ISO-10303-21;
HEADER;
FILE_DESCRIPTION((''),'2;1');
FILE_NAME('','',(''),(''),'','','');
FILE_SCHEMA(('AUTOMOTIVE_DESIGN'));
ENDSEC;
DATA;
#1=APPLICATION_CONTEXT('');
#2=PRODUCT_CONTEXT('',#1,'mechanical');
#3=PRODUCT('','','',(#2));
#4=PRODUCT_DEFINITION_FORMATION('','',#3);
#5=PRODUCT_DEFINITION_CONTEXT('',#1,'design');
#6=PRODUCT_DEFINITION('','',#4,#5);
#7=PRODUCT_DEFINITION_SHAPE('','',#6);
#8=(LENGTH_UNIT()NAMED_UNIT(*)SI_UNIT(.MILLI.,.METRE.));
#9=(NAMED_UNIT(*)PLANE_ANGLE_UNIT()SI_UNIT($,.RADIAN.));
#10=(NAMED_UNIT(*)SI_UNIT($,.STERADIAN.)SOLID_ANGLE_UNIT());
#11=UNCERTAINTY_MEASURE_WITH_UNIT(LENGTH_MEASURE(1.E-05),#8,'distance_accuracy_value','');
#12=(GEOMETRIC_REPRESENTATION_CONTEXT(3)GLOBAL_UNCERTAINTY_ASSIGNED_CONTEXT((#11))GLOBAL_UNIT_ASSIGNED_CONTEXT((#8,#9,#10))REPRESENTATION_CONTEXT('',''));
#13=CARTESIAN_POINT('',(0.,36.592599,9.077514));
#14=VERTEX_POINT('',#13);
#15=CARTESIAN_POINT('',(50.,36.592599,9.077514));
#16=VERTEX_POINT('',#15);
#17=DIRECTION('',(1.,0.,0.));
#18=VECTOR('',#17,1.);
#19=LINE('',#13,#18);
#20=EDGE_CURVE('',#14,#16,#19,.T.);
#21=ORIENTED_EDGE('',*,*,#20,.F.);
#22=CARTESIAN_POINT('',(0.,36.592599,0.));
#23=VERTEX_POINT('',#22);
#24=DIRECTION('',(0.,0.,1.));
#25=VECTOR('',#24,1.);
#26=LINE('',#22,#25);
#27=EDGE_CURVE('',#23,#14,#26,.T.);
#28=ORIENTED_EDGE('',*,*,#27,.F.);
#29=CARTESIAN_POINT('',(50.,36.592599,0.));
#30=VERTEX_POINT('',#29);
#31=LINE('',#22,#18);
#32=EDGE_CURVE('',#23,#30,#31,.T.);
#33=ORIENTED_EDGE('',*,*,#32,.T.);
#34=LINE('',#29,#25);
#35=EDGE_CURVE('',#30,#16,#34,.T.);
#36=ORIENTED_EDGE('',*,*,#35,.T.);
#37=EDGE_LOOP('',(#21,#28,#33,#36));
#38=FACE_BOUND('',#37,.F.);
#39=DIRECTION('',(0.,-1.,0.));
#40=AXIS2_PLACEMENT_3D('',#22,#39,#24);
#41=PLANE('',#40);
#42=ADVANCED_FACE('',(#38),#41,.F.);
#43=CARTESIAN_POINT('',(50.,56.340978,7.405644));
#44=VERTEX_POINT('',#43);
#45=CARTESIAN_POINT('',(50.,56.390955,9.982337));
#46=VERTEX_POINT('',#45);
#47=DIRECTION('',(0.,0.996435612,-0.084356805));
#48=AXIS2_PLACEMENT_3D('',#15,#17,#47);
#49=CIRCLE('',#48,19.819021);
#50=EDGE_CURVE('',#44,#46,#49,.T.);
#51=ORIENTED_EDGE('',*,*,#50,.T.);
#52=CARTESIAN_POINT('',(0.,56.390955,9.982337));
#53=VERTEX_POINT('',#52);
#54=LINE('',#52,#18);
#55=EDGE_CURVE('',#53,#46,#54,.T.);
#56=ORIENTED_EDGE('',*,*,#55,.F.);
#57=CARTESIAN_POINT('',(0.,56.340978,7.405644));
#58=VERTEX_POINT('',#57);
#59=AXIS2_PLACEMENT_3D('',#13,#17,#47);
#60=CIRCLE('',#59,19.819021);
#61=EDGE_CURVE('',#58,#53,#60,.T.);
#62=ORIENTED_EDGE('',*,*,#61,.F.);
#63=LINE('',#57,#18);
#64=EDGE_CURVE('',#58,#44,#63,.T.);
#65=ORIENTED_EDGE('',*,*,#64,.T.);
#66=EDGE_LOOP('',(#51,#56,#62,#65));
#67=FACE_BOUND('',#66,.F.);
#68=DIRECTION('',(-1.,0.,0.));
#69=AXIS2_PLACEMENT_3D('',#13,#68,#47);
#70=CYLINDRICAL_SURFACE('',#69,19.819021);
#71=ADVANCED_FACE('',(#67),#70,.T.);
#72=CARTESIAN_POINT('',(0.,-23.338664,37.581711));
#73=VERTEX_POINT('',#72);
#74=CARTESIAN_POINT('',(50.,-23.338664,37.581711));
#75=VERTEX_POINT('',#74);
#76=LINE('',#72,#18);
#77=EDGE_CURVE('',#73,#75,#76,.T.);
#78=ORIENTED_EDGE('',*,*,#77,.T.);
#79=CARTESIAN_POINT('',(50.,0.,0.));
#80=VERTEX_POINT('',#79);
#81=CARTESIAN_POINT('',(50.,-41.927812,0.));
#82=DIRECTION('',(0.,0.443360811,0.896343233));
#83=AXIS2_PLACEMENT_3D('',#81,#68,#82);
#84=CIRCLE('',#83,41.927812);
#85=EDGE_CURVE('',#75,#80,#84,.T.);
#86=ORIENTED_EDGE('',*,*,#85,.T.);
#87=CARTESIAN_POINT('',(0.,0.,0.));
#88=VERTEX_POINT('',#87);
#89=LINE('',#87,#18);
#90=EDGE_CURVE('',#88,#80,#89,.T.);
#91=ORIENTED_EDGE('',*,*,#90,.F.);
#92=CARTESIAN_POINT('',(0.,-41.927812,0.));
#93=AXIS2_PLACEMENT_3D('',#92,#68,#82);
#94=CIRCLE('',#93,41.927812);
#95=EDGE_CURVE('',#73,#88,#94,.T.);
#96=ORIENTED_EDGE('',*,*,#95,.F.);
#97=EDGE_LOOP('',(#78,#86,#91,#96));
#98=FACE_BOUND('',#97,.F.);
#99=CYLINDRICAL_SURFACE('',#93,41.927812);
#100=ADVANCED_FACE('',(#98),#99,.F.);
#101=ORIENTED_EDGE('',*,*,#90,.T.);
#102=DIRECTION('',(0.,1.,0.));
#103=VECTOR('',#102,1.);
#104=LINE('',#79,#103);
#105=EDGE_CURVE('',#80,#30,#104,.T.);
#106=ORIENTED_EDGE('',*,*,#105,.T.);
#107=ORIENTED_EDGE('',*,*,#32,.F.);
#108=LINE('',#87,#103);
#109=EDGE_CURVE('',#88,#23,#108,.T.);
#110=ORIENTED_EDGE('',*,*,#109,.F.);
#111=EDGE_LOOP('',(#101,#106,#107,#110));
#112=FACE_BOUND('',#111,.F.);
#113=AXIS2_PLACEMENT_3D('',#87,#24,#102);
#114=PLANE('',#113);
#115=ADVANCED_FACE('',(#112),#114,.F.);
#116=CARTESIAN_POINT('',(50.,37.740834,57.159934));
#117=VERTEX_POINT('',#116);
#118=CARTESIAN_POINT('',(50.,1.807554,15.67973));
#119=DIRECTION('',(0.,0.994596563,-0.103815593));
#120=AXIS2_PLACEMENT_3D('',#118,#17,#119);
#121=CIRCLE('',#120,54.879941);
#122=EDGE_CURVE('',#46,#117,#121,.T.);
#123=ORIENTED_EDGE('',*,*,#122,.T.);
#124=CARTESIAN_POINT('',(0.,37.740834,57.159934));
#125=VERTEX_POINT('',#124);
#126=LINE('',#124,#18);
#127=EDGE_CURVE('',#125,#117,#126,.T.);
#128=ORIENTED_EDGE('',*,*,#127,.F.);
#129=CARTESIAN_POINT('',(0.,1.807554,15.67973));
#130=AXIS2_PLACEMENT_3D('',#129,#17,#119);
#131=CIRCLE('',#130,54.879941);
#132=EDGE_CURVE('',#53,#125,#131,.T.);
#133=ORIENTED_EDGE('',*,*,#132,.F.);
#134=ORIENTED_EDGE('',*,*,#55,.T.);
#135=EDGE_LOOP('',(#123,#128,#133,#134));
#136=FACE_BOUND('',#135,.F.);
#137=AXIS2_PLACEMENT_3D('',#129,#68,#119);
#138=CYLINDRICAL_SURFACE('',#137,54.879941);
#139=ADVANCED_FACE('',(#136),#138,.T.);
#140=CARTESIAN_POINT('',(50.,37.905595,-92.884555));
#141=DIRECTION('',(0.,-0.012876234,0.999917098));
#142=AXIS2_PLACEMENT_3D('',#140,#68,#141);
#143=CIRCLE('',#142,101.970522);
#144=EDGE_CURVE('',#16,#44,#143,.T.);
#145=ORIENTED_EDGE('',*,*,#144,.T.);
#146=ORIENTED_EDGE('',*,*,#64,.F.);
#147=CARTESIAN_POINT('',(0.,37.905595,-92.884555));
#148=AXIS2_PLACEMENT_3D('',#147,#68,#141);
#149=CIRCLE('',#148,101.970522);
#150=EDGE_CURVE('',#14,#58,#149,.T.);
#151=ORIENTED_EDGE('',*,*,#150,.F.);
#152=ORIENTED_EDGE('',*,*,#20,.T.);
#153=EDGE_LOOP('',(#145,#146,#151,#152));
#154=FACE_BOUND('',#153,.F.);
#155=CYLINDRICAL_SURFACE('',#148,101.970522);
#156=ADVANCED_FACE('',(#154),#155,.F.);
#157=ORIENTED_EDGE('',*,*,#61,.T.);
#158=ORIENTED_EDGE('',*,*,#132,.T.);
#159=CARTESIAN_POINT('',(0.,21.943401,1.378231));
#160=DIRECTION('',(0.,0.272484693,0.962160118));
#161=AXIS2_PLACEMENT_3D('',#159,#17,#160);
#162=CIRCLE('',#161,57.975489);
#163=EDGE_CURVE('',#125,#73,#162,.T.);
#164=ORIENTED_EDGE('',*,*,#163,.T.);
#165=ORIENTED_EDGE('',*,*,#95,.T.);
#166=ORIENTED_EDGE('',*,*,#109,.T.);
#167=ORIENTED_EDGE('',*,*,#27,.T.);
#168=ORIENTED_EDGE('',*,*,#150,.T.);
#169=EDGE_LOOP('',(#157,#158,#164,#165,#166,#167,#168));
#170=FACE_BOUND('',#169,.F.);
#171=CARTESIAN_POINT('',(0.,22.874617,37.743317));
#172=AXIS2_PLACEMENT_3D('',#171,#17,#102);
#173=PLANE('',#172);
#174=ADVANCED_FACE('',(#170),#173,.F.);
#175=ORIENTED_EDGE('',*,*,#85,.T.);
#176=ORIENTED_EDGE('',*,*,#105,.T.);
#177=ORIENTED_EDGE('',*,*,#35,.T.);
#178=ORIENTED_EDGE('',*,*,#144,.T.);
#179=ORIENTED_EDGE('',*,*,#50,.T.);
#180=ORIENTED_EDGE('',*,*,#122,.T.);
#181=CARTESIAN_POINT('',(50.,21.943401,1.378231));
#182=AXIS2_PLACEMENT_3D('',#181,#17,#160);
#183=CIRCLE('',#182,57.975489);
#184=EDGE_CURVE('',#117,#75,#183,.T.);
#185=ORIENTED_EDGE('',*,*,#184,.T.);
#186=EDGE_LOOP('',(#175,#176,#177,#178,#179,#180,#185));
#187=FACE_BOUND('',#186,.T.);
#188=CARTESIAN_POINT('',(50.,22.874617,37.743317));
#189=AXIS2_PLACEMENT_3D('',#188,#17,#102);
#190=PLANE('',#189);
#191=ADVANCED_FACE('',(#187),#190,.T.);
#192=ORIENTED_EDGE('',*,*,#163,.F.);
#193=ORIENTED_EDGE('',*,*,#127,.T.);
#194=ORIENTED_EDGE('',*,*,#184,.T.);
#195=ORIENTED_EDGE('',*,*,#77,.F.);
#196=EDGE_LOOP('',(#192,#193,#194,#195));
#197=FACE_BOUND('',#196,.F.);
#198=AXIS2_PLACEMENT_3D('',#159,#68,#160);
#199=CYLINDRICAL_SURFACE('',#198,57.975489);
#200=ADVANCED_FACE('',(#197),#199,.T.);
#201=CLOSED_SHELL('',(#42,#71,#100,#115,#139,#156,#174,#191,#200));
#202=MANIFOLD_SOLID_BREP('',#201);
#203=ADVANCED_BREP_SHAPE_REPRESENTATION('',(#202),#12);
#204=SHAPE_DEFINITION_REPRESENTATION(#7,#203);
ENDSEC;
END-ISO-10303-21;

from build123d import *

# Parameters (mm, degrees)
F1_DEPTH = 50
F0_R     = 13.9702568805
F2_DEPTH = 50


with BuildPart() as f1:
    # F0 (on Right) → F1 (new body)
    with BuildSketch(Plane.YZ):
        with BuildLine():
            ThreePointArc((-23.3386635437, 37.5817110032), (-10.4959332457, 36.3922602564), (0, 28.8965348154))
            Line((0, 28.8965348154), (36.5925990045, 28.8965348154))
            ThreePointArc((36.5925990045, 28.8965348154), (50.2831230398, 23.4080109269), (56.3909549354, 9.982336554))
            ThreePointArc((56.3909549354, 9.982336554), (52.8442938775, 35.8554366591), (37.7408340573, 57.1599341929))
            ThreePointArc((37.7408340573, 57.1599341929), (4.2470007801, 56.5868783127), (-23.3386635437, 37.5817110032))
        make_face()
    extrude(amount=F1_DEPTH)

    # F0 (on Right) → F2 (join)
    with BuildSketch(Plane.YZ):
        with BuildLine():
            ThreePointArc((-23.3386635437, 37.5817110032), (-10.4959332457, 36.3922602564), (0, 28.8965348154))
            Line((0, 28.8965348154), (36.5925990045, 28.8965348154))
            ThreePointArc((36.5925990045, 28.8965348154), (50.2831230398, 23.4080109269), (56.3909549354, 9.982336554))
            ThreePointArc((56.3909549354, 9.982336554), (52.8442938775, 35.8554366591), (37.7408340573, 57.1599341929))
            ThreePointArc((37.7408340573, 57.1599341929), (4.2470007801, 56.5868783127), (-23.3386635437, 37.5817110032))
        make_face()
        Polygon((0, 28.8965348154), (0, 0), (36.5925990045, 0), (36.5925990045, 9.0775135945), (36.5925990045, 28.8965348154), align=None)
        with Locations((17.13462919, 14.6660804749)):
            Circle(F0_R, mode=Mode.SUBTRACT)
        with Locations((17.13462919, 14.6660804749)):
            Circle(F0_R)
        with BuildLine():
            Line((36.5925990045, 28.8965348154), (36.5925990045, 9.0775135945))
            ThreePointArc((36.5925990045, 9.0775135945), (46.5075027592, 8.7225046913), (56.3409775496, 7.4056442827))
            ThreePointArc((56.3409775496, 7.4056442827), (56.4078932918, 8.6931772035), (56.3909549354, 9.982336554))
            ThreePointArc((56.3909549354, 9.982336554), (50.2831230398, 23.4080109269), (36.5925990045, 28.8965348154))
        make_face()
        with BuildLine():
            ThreePointArc((-23.3386635437, 37.5817110032), (-6.3093916128, 22.1194383853), (0, 0))
            Line((0, 0), (0, 28.8965348154))
            ThreePointArc((0, 28.8965348154), (-10.4959332457, 36.3922602564), (-23.3386635437, 37.5817110032))
        make_face()
    extrude(amount=F2_DEPTH)


solid = f1.part
